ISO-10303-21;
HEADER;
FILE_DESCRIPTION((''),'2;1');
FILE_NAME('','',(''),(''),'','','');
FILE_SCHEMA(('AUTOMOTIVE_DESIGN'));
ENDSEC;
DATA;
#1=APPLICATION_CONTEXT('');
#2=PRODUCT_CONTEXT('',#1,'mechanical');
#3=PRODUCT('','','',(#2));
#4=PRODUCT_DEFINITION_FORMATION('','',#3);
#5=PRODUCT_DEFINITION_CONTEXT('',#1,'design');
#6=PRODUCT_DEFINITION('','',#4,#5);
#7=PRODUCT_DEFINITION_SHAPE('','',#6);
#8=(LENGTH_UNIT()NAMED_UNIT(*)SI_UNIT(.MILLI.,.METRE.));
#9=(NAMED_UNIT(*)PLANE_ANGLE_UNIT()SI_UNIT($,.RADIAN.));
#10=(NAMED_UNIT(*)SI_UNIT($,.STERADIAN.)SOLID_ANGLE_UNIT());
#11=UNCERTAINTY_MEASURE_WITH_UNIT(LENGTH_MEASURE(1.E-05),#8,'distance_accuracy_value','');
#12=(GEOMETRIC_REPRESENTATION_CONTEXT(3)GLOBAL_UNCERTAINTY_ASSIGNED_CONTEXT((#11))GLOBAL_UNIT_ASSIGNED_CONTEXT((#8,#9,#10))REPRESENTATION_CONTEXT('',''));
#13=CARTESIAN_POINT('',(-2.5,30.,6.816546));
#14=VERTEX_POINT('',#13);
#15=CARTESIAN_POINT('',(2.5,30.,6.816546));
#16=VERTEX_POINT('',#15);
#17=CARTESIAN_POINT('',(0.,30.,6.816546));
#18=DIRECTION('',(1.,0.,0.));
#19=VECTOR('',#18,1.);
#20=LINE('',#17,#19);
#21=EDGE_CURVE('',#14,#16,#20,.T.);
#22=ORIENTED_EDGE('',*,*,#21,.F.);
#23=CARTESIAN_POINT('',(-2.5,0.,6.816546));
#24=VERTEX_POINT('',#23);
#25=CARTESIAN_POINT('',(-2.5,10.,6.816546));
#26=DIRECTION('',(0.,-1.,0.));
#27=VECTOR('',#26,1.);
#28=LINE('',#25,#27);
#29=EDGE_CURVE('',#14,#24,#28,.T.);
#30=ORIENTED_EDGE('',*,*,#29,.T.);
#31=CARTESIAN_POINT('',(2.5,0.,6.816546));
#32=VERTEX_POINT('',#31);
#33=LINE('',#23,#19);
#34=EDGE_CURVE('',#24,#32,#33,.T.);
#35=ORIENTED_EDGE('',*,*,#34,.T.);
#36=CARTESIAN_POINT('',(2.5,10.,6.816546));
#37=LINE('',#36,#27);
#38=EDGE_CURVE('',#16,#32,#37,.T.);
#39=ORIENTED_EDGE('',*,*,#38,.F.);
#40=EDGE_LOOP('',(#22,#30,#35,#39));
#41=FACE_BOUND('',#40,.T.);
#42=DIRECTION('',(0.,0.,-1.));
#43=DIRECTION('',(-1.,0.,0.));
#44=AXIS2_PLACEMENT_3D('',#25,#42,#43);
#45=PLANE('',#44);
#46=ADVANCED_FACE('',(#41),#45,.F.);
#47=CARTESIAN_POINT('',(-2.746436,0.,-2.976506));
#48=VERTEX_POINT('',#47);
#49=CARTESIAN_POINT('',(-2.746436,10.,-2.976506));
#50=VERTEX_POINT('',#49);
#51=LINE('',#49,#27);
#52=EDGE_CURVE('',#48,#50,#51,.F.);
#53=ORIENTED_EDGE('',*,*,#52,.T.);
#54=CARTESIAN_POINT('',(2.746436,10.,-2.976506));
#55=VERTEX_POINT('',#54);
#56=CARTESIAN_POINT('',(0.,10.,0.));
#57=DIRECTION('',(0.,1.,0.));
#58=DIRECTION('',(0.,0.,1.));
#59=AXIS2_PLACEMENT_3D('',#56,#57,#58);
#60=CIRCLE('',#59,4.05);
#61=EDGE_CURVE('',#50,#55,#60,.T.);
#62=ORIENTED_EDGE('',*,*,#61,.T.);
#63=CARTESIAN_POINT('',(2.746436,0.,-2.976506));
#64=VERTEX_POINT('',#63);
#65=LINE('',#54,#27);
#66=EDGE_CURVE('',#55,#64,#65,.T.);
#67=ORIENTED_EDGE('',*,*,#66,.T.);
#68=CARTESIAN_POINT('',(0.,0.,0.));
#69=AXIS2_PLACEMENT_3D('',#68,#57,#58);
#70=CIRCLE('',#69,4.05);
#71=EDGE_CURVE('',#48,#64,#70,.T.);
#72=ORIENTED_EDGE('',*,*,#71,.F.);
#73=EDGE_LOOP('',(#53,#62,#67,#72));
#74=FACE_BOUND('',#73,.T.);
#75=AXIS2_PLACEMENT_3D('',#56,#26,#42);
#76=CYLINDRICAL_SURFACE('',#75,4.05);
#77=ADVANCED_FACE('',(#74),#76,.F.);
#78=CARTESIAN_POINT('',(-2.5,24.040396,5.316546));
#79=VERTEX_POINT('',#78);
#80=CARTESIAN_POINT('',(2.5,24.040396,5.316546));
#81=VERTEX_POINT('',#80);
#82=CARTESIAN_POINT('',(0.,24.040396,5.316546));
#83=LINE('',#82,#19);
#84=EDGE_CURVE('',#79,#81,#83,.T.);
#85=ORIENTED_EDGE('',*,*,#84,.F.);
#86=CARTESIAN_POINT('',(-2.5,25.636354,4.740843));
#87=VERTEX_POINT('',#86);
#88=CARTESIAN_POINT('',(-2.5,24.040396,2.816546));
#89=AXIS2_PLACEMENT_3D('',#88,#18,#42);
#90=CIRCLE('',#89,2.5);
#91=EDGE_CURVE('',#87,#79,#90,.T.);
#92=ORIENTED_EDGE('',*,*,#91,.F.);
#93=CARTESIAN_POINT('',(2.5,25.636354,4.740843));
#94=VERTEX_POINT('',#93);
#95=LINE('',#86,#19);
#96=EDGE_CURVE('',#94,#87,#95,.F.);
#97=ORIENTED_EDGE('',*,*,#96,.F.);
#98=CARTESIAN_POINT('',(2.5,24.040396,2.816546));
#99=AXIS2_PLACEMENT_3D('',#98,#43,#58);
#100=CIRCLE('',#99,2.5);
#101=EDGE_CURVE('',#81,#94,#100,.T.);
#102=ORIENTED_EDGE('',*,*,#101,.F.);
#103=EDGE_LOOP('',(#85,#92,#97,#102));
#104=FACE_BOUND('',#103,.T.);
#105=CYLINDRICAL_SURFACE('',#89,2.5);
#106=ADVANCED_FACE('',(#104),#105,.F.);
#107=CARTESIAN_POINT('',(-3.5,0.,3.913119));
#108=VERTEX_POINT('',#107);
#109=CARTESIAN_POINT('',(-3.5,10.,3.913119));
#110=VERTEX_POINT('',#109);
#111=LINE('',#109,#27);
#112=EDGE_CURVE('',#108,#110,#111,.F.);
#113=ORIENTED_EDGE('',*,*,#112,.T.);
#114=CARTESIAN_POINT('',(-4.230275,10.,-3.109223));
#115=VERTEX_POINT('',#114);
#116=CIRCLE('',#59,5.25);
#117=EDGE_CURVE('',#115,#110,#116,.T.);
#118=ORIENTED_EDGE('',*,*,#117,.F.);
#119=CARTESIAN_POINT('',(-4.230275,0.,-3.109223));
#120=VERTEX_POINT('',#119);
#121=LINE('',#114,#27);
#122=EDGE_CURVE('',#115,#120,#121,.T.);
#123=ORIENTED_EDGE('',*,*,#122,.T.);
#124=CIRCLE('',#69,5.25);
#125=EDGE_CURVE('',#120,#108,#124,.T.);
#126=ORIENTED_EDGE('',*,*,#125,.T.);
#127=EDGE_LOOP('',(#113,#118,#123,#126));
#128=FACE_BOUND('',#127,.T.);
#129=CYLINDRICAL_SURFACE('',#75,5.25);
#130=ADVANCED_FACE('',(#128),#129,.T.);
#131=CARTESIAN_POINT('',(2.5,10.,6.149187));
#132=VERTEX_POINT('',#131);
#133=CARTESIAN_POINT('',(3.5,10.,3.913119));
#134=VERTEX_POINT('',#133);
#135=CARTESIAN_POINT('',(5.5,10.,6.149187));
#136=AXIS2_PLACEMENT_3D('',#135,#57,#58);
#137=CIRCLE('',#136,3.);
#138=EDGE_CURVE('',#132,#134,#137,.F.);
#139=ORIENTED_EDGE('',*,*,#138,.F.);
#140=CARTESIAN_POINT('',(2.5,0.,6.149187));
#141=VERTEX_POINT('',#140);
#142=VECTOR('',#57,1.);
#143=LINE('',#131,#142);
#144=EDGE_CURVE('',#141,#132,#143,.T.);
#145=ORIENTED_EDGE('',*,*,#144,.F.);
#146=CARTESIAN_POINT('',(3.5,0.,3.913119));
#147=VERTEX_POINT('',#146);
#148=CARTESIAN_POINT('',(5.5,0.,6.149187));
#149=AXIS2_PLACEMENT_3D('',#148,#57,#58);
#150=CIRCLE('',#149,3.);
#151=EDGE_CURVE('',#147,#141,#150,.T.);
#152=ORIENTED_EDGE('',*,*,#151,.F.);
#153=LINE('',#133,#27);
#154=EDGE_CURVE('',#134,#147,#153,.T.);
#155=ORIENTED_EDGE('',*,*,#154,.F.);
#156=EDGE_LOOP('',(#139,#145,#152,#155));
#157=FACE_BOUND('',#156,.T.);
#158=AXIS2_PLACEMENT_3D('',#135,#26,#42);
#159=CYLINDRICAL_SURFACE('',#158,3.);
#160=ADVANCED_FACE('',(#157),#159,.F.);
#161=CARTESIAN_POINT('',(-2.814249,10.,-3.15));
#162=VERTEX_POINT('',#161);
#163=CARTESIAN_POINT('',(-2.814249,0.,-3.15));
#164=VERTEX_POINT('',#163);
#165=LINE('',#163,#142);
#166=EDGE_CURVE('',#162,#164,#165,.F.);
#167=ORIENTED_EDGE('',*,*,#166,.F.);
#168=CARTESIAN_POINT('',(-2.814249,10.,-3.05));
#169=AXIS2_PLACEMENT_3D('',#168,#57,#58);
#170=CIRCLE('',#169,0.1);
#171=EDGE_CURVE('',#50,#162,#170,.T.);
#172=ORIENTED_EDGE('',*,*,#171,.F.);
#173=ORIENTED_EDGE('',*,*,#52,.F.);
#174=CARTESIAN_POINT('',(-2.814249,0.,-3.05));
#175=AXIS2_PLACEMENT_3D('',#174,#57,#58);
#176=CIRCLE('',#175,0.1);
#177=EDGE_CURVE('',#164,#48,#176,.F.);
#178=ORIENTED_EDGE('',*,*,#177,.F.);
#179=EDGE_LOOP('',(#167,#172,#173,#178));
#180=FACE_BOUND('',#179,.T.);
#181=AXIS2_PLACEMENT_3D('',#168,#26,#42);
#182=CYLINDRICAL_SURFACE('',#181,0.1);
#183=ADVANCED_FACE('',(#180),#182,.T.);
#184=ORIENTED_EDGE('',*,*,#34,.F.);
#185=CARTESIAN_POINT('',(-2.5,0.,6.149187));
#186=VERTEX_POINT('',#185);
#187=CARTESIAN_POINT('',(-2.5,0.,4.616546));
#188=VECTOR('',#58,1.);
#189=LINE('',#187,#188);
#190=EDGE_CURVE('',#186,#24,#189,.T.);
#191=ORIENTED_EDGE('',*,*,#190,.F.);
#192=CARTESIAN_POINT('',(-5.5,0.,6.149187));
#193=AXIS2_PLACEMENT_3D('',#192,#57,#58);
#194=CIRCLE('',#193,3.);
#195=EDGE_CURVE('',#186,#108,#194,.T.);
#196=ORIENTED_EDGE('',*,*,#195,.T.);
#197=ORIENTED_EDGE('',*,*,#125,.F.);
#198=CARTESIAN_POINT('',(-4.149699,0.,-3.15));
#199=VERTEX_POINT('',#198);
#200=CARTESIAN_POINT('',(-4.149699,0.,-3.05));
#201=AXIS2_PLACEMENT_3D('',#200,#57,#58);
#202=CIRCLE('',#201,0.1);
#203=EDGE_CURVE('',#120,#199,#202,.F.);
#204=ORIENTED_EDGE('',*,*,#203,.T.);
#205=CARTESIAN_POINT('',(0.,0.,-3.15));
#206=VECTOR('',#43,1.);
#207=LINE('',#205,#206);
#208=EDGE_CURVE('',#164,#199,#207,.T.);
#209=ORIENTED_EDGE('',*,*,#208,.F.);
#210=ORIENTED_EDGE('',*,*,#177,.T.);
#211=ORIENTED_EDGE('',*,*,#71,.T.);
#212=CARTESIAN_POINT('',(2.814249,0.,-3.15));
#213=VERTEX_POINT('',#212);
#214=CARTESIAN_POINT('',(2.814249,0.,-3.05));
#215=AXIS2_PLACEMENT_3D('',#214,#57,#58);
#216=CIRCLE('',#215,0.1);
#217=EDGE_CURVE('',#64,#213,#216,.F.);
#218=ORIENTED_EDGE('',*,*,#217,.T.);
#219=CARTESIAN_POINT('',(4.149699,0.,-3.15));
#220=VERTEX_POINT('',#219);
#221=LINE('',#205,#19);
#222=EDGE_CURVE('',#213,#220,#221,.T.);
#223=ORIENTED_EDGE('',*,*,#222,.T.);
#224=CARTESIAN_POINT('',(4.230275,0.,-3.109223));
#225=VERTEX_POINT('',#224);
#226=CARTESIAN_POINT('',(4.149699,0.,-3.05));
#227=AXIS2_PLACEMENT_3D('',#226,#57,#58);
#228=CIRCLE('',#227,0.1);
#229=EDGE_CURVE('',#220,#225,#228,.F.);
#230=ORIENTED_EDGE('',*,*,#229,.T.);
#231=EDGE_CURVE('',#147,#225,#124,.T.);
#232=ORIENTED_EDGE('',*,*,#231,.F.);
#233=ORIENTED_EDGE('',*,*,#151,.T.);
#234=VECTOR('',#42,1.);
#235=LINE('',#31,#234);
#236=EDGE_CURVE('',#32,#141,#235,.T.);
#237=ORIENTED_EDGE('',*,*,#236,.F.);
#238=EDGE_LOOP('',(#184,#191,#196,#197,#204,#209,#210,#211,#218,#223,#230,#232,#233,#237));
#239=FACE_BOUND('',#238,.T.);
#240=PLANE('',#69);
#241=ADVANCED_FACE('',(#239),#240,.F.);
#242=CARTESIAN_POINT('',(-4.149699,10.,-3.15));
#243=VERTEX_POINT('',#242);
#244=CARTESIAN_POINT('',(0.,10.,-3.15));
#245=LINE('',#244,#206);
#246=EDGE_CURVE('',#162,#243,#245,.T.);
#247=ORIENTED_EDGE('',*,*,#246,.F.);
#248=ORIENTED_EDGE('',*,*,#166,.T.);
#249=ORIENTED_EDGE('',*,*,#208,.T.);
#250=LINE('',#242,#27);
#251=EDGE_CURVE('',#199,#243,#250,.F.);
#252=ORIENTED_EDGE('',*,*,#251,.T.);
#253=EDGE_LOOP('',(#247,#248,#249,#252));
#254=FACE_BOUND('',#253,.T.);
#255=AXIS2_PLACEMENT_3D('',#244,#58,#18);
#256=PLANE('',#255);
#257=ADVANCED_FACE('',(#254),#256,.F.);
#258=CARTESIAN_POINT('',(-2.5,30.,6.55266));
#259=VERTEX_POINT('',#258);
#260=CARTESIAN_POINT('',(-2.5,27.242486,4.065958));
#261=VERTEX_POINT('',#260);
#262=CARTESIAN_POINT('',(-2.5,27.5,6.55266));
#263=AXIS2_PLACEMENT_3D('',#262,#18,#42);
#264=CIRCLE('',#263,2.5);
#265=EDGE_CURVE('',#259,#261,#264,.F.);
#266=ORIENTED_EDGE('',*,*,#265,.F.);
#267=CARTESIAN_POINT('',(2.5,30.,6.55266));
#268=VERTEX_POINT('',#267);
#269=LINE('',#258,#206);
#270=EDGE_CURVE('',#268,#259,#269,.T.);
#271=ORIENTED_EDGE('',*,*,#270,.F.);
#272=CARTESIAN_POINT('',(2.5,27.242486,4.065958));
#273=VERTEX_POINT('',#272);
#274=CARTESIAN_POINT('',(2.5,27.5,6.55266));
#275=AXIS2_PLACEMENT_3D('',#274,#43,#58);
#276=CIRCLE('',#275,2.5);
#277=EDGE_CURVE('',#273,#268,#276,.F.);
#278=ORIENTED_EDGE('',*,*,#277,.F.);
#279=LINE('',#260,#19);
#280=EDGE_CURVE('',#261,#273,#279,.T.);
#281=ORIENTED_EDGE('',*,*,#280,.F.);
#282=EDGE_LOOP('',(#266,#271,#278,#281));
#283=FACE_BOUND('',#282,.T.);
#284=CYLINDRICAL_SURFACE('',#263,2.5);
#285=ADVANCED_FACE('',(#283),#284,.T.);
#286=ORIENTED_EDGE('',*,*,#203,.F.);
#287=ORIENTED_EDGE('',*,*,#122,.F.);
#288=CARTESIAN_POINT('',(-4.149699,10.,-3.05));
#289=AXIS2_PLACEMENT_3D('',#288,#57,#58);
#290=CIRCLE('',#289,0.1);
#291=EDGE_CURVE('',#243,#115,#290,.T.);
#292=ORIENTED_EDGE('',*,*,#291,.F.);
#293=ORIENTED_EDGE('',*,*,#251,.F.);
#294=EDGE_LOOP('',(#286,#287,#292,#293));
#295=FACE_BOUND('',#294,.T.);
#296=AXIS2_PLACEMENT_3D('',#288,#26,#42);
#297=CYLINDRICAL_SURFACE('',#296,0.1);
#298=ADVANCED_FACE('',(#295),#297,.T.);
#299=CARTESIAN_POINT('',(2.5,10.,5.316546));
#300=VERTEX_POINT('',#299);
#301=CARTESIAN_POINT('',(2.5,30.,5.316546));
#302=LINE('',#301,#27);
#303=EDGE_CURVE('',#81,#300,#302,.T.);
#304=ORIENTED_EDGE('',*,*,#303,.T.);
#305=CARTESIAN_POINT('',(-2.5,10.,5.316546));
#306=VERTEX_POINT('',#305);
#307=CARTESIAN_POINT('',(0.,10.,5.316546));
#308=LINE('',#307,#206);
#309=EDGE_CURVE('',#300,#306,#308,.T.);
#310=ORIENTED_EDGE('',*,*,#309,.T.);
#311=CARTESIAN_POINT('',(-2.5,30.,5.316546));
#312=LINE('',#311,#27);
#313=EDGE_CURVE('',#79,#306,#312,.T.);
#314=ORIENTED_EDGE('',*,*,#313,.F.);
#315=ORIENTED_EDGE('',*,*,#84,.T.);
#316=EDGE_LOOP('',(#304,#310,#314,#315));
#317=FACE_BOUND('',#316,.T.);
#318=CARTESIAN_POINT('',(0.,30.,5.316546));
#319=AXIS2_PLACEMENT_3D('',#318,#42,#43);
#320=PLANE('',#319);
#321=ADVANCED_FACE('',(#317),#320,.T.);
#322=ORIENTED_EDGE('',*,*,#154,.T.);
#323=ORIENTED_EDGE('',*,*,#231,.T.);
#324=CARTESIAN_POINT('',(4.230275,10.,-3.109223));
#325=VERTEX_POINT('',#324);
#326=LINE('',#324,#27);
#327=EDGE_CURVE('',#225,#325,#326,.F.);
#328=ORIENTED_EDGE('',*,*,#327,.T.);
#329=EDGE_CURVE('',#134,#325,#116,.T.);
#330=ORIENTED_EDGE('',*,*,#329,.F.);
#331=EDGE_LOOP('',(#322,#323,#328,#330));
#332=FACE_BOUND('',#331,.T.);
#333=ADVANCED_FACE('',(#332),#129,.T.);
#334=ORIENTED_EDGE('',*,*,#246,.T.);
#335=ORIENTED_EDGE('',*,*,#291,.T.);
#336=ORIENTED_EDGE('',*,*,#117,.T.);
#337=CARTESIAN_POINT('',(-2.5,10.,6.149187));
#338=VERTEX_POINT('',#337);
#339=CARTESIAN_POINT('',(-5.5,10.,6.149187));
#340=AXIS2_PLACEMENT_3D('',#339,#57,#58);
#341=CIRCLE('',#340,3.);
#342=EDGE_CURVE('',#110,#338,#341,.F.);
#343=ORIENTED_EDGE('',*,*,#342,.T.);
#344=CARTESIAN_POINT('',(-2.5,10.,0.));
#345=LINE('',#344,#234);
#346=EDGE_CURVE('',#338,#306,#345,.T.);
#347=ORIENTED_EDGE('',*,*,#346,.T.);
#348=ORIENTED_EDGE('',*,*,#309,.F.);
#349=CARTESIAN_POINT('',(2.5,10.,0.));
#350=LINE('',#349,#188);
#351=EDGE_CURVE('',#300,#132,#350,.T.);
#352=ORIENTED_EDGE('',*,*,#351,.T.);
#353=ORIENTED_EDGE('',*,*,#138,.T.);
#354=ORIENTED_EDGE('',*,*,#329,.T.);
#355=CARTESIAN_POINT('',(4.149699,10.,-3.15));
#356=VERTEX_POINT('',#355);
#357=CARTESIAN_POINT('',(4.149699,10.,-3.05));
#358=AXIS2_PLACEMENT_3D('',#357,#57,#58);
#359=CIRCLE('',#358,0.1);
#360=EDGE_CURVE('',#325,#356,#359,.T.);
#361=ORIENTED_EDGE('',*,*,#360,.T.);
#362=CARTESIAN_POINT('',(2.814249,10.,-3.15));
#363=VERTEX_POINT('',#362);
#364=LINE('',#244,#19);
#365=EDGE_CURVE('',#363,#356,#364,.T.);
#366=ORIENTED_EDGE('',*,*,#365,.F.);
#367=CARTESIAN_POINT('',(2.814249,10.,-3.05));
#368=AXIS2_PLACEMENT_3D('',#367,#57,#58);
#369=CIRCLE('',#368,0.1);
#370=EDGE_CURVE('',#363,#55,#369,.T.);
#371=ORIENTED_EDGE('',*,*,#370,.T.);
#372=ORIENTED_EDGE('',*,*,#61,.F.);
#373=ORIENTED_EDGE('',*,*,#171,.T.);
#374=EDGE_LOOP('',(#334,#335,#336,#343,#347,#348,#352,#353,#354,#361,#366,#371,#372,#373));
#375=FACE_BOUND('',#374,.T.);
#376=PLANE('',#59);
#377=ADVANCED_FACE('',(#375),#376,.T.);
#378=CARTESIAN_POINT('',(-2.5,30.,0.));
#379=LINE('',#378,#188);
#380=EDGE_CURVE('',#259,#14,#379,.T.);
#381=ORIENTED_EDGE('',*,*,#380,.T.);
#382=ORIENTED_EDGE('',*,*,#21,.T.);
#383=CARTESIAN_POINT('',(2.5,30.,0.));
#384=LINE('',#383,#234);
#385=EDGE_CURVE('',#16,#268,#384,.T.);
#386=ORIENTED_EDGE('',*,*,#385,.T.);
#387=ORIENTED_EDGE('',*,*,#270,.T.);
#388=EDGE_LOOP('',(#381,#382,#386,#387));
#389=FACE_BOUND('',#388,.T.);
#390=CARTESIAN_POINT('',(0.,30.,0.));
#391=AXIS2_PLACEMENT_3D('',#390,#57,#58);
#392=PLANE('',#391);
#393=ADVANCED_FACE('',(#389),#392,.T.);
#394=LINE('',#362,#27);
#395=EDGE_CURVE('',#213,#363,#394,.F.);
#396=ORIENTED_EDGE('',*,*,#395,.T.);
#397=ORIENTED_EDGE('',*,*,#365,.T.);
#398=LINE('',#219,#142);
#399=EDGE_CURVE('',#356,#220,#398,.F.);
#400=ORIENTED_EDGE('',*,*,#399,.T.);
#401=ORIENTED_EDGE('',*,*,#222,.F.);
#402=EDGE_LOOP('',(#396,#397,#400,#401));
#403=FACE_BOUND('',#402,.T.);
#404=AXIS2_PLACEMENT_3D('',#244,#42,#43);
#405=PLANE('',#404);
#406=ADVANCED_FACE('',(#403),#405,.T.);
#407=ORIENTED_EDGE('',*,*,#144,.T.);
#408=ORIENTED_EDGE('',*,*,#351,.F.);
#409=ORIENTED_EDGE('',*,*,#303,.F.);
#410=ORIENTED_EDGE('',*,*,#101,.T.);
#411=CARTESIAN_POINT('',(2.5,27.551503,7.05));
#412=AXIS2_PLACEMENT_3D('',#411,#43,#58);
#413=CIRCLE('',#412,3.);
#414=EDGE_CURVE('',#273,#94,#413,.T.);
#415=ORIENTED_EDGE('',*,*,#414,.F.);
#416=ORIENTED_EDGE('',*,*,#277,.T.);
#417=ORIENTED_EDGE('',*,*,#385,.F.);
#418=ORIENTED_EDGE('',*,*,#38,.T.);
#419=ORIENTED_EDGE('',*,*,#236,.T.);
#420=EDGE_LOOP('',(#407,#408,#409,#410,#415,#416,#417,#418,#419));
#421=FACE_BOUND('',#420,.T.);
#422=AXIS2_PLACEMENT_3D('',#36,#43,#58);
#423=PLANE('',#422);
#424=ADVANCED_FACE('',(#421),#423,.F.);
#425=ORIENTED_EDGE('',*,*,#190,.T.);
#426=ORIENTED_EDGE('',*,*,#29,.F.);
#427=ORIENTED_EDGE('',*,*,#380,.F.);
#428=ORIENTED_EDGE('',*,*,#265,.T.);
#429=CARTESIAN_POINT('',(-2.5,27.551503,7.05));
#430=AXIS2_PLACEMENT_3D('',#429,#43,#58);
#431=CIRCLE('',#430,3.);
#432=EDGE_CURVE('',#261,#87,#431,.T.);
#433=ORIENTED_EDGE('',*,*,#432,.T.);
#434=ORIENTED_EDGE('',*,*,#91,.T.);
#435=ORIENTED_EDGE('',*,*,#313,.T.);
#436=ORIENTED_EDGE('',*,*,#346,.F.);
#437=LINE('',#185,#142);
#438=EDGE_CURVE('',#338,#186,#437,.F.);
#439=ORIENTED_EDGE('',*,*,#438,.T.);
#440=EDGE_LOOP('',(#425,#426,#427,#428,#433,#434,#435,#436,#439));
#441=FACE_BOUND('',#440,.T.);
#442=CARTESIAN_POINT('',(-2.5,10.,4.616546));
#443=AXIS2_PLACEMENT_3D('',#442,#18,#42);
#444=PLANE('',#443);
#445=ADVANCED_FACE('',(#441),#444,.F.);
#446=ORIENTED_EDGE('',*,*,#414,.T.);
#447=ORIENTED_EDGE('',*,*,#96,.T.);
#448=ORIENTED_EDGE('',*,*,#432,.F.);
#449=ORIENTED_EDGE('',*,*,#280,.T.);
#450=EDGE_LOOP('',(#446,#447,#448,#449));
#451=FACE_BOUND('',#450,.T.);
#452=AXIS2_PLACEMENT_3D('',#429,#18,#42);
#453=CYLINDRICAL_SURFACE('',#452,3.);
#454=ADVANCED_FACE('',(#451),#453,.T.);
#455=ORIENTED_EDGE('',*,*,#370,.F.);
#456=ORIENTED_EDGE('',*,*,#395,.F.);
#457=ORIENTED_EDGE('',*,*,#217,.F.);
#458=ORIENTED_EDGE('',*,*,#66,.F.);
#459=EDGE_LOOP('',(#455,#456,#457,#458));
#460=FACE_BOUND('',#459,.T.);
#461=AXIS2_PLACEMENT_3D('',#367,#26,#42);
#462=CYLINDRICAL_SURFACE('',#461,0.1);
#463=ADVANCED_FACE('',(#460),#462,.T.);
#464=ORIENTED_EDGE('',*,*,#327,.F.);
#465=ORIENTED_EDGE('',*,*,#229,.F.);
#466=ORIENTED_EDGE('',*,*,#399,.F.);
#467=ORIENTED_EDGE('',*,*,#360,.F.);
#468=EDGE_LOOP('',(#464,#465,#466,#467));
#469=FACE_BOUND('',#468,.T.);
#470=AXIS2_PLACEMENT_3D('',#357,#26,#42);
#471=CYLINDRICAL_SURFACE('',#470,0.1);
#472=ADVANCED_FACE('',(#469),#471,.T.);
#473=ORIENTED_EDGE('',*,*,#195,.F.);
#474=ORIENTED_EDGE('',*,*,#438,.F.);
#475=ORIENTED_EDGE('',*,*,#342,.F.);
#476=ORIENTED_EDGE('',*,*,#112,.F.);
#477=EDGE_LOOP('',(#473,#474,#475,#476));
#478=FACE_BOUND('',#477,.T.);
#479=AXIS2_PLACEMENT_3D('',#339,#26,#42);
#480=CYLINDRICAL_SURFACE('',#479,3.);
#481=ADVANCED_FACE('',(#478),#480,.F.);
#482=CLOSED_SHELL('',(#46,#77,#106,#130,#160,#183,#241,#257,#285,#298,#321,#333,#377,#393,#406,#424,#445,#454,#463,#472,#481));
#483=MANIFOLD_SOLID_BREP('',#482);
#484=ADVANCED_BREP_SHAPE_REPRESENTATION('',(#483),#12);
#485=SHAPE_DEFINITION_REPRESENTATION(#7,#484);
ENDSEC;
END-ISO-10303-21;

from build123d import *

# Parameters (mm, degrees)
BOSS_EXTRUDE1_DEPTH = 10
FILLET3_R           = 3
SKETCH1_3_W         = 5
SKETCH1_3_H         = 1.5
BOSS_EXTRUDE2_DEPTH = 30
BOSS_EXTRUDE3_DEPTH = 2.5
FILLET1_R           = 2.5
FILLET4_R           = 0.1


with BuildPart() as part:
    # Sketch1 → Boss-Extrude1 (new body)
    with BuildSketch(Plane(origin=(0, 0, 0), x_dir=(1, 0, 0), z_dir=(0, 1, 0))):
        with BuildLine():
            ThreePointArc((2.545584412, 3.15), (0, -4.05), (-2.545584412, 3.15))
            Line((-2.545584412, 3.15), (-4.2, 3.15))
            ThreePointArc((-4.2, 3.15), (-5.128577821, -1.122581638), (-2.5, -4.616546328))
            Line((-2.5, -4.616546328), (-2.5, -6.816546328))
            Line((-2.5, -6.816546328), (2.5, -6.816546328))
            Line((2.5, -6.816546328), (2.5, -4.616546328))
            ThreePointArc((2.5, -4.616546328), (5.128577821, -1.122581638), (4.2, 3.15))
            Line((4.2, 3.15), (2.545584412, 3.15))
        make_face()
    extrude(amount=BOSS_EXTRUDE1_DEPTH)

    # Fillet3
    fillet3_edges = [part.edges().sort_by_distance(p)[0] for p in [
        (-2.5, 5, 4.616546328),
        (2.5, 5, 4.616546328),
    ]]
    fillet(fillet3_edges, radius=FILLET3_R)

    # Sketch1<3> → Boss-Extrude2 (add)
    with BuildSketch(Plane(origin=(0, 0, 0), x_dir=(1, 0, 0), z_dir=(0, 1, 0))):
        with Locations((0, -6.066546328)):
            Rectangle(SKETCH1_3_W, SKETCH1_3_H)
    extrude(amount=BOSS_EXTRUDE2_DEPTH)

    # Sketch2 → Boss-Extrude3 (add, symmetric)
    with BuildSketch(Plane.ZY):
        with BuildLine():
            Line((5.316546328, 25.10300567), (5.316546328, 30))
            ThreePointArc((5.316546328, 30), (4.05, 27.551502835), (5.316546328, 25.10300567))
        make_face()
    extrude(amount=BOSS_EXTRUDE3_DEPTH, both=True)

    # Fillet1
    fillet1_edges = [part.edges().sort_by_distance(p)[0] for p in [
        (0, 30, 5.316546328),
        (0, 25.10300567, 5.316546328),
    ]]
    fillet(fillet1_edges, radius=FILLET1_R)

    # Fillet4
    fillet4_edges = [part.edges().sort_by_distance(p)[0] for p in [
        (-4.2, 5, -3.15),
        (-2.545584412, 5, -3.15),
        (2.545584412, 5, -3.15),
        (4.2, 5, -3.15),
    ]]
    fillet(fillet4_edges, radius=FILLET4_R)


solid = part.part
